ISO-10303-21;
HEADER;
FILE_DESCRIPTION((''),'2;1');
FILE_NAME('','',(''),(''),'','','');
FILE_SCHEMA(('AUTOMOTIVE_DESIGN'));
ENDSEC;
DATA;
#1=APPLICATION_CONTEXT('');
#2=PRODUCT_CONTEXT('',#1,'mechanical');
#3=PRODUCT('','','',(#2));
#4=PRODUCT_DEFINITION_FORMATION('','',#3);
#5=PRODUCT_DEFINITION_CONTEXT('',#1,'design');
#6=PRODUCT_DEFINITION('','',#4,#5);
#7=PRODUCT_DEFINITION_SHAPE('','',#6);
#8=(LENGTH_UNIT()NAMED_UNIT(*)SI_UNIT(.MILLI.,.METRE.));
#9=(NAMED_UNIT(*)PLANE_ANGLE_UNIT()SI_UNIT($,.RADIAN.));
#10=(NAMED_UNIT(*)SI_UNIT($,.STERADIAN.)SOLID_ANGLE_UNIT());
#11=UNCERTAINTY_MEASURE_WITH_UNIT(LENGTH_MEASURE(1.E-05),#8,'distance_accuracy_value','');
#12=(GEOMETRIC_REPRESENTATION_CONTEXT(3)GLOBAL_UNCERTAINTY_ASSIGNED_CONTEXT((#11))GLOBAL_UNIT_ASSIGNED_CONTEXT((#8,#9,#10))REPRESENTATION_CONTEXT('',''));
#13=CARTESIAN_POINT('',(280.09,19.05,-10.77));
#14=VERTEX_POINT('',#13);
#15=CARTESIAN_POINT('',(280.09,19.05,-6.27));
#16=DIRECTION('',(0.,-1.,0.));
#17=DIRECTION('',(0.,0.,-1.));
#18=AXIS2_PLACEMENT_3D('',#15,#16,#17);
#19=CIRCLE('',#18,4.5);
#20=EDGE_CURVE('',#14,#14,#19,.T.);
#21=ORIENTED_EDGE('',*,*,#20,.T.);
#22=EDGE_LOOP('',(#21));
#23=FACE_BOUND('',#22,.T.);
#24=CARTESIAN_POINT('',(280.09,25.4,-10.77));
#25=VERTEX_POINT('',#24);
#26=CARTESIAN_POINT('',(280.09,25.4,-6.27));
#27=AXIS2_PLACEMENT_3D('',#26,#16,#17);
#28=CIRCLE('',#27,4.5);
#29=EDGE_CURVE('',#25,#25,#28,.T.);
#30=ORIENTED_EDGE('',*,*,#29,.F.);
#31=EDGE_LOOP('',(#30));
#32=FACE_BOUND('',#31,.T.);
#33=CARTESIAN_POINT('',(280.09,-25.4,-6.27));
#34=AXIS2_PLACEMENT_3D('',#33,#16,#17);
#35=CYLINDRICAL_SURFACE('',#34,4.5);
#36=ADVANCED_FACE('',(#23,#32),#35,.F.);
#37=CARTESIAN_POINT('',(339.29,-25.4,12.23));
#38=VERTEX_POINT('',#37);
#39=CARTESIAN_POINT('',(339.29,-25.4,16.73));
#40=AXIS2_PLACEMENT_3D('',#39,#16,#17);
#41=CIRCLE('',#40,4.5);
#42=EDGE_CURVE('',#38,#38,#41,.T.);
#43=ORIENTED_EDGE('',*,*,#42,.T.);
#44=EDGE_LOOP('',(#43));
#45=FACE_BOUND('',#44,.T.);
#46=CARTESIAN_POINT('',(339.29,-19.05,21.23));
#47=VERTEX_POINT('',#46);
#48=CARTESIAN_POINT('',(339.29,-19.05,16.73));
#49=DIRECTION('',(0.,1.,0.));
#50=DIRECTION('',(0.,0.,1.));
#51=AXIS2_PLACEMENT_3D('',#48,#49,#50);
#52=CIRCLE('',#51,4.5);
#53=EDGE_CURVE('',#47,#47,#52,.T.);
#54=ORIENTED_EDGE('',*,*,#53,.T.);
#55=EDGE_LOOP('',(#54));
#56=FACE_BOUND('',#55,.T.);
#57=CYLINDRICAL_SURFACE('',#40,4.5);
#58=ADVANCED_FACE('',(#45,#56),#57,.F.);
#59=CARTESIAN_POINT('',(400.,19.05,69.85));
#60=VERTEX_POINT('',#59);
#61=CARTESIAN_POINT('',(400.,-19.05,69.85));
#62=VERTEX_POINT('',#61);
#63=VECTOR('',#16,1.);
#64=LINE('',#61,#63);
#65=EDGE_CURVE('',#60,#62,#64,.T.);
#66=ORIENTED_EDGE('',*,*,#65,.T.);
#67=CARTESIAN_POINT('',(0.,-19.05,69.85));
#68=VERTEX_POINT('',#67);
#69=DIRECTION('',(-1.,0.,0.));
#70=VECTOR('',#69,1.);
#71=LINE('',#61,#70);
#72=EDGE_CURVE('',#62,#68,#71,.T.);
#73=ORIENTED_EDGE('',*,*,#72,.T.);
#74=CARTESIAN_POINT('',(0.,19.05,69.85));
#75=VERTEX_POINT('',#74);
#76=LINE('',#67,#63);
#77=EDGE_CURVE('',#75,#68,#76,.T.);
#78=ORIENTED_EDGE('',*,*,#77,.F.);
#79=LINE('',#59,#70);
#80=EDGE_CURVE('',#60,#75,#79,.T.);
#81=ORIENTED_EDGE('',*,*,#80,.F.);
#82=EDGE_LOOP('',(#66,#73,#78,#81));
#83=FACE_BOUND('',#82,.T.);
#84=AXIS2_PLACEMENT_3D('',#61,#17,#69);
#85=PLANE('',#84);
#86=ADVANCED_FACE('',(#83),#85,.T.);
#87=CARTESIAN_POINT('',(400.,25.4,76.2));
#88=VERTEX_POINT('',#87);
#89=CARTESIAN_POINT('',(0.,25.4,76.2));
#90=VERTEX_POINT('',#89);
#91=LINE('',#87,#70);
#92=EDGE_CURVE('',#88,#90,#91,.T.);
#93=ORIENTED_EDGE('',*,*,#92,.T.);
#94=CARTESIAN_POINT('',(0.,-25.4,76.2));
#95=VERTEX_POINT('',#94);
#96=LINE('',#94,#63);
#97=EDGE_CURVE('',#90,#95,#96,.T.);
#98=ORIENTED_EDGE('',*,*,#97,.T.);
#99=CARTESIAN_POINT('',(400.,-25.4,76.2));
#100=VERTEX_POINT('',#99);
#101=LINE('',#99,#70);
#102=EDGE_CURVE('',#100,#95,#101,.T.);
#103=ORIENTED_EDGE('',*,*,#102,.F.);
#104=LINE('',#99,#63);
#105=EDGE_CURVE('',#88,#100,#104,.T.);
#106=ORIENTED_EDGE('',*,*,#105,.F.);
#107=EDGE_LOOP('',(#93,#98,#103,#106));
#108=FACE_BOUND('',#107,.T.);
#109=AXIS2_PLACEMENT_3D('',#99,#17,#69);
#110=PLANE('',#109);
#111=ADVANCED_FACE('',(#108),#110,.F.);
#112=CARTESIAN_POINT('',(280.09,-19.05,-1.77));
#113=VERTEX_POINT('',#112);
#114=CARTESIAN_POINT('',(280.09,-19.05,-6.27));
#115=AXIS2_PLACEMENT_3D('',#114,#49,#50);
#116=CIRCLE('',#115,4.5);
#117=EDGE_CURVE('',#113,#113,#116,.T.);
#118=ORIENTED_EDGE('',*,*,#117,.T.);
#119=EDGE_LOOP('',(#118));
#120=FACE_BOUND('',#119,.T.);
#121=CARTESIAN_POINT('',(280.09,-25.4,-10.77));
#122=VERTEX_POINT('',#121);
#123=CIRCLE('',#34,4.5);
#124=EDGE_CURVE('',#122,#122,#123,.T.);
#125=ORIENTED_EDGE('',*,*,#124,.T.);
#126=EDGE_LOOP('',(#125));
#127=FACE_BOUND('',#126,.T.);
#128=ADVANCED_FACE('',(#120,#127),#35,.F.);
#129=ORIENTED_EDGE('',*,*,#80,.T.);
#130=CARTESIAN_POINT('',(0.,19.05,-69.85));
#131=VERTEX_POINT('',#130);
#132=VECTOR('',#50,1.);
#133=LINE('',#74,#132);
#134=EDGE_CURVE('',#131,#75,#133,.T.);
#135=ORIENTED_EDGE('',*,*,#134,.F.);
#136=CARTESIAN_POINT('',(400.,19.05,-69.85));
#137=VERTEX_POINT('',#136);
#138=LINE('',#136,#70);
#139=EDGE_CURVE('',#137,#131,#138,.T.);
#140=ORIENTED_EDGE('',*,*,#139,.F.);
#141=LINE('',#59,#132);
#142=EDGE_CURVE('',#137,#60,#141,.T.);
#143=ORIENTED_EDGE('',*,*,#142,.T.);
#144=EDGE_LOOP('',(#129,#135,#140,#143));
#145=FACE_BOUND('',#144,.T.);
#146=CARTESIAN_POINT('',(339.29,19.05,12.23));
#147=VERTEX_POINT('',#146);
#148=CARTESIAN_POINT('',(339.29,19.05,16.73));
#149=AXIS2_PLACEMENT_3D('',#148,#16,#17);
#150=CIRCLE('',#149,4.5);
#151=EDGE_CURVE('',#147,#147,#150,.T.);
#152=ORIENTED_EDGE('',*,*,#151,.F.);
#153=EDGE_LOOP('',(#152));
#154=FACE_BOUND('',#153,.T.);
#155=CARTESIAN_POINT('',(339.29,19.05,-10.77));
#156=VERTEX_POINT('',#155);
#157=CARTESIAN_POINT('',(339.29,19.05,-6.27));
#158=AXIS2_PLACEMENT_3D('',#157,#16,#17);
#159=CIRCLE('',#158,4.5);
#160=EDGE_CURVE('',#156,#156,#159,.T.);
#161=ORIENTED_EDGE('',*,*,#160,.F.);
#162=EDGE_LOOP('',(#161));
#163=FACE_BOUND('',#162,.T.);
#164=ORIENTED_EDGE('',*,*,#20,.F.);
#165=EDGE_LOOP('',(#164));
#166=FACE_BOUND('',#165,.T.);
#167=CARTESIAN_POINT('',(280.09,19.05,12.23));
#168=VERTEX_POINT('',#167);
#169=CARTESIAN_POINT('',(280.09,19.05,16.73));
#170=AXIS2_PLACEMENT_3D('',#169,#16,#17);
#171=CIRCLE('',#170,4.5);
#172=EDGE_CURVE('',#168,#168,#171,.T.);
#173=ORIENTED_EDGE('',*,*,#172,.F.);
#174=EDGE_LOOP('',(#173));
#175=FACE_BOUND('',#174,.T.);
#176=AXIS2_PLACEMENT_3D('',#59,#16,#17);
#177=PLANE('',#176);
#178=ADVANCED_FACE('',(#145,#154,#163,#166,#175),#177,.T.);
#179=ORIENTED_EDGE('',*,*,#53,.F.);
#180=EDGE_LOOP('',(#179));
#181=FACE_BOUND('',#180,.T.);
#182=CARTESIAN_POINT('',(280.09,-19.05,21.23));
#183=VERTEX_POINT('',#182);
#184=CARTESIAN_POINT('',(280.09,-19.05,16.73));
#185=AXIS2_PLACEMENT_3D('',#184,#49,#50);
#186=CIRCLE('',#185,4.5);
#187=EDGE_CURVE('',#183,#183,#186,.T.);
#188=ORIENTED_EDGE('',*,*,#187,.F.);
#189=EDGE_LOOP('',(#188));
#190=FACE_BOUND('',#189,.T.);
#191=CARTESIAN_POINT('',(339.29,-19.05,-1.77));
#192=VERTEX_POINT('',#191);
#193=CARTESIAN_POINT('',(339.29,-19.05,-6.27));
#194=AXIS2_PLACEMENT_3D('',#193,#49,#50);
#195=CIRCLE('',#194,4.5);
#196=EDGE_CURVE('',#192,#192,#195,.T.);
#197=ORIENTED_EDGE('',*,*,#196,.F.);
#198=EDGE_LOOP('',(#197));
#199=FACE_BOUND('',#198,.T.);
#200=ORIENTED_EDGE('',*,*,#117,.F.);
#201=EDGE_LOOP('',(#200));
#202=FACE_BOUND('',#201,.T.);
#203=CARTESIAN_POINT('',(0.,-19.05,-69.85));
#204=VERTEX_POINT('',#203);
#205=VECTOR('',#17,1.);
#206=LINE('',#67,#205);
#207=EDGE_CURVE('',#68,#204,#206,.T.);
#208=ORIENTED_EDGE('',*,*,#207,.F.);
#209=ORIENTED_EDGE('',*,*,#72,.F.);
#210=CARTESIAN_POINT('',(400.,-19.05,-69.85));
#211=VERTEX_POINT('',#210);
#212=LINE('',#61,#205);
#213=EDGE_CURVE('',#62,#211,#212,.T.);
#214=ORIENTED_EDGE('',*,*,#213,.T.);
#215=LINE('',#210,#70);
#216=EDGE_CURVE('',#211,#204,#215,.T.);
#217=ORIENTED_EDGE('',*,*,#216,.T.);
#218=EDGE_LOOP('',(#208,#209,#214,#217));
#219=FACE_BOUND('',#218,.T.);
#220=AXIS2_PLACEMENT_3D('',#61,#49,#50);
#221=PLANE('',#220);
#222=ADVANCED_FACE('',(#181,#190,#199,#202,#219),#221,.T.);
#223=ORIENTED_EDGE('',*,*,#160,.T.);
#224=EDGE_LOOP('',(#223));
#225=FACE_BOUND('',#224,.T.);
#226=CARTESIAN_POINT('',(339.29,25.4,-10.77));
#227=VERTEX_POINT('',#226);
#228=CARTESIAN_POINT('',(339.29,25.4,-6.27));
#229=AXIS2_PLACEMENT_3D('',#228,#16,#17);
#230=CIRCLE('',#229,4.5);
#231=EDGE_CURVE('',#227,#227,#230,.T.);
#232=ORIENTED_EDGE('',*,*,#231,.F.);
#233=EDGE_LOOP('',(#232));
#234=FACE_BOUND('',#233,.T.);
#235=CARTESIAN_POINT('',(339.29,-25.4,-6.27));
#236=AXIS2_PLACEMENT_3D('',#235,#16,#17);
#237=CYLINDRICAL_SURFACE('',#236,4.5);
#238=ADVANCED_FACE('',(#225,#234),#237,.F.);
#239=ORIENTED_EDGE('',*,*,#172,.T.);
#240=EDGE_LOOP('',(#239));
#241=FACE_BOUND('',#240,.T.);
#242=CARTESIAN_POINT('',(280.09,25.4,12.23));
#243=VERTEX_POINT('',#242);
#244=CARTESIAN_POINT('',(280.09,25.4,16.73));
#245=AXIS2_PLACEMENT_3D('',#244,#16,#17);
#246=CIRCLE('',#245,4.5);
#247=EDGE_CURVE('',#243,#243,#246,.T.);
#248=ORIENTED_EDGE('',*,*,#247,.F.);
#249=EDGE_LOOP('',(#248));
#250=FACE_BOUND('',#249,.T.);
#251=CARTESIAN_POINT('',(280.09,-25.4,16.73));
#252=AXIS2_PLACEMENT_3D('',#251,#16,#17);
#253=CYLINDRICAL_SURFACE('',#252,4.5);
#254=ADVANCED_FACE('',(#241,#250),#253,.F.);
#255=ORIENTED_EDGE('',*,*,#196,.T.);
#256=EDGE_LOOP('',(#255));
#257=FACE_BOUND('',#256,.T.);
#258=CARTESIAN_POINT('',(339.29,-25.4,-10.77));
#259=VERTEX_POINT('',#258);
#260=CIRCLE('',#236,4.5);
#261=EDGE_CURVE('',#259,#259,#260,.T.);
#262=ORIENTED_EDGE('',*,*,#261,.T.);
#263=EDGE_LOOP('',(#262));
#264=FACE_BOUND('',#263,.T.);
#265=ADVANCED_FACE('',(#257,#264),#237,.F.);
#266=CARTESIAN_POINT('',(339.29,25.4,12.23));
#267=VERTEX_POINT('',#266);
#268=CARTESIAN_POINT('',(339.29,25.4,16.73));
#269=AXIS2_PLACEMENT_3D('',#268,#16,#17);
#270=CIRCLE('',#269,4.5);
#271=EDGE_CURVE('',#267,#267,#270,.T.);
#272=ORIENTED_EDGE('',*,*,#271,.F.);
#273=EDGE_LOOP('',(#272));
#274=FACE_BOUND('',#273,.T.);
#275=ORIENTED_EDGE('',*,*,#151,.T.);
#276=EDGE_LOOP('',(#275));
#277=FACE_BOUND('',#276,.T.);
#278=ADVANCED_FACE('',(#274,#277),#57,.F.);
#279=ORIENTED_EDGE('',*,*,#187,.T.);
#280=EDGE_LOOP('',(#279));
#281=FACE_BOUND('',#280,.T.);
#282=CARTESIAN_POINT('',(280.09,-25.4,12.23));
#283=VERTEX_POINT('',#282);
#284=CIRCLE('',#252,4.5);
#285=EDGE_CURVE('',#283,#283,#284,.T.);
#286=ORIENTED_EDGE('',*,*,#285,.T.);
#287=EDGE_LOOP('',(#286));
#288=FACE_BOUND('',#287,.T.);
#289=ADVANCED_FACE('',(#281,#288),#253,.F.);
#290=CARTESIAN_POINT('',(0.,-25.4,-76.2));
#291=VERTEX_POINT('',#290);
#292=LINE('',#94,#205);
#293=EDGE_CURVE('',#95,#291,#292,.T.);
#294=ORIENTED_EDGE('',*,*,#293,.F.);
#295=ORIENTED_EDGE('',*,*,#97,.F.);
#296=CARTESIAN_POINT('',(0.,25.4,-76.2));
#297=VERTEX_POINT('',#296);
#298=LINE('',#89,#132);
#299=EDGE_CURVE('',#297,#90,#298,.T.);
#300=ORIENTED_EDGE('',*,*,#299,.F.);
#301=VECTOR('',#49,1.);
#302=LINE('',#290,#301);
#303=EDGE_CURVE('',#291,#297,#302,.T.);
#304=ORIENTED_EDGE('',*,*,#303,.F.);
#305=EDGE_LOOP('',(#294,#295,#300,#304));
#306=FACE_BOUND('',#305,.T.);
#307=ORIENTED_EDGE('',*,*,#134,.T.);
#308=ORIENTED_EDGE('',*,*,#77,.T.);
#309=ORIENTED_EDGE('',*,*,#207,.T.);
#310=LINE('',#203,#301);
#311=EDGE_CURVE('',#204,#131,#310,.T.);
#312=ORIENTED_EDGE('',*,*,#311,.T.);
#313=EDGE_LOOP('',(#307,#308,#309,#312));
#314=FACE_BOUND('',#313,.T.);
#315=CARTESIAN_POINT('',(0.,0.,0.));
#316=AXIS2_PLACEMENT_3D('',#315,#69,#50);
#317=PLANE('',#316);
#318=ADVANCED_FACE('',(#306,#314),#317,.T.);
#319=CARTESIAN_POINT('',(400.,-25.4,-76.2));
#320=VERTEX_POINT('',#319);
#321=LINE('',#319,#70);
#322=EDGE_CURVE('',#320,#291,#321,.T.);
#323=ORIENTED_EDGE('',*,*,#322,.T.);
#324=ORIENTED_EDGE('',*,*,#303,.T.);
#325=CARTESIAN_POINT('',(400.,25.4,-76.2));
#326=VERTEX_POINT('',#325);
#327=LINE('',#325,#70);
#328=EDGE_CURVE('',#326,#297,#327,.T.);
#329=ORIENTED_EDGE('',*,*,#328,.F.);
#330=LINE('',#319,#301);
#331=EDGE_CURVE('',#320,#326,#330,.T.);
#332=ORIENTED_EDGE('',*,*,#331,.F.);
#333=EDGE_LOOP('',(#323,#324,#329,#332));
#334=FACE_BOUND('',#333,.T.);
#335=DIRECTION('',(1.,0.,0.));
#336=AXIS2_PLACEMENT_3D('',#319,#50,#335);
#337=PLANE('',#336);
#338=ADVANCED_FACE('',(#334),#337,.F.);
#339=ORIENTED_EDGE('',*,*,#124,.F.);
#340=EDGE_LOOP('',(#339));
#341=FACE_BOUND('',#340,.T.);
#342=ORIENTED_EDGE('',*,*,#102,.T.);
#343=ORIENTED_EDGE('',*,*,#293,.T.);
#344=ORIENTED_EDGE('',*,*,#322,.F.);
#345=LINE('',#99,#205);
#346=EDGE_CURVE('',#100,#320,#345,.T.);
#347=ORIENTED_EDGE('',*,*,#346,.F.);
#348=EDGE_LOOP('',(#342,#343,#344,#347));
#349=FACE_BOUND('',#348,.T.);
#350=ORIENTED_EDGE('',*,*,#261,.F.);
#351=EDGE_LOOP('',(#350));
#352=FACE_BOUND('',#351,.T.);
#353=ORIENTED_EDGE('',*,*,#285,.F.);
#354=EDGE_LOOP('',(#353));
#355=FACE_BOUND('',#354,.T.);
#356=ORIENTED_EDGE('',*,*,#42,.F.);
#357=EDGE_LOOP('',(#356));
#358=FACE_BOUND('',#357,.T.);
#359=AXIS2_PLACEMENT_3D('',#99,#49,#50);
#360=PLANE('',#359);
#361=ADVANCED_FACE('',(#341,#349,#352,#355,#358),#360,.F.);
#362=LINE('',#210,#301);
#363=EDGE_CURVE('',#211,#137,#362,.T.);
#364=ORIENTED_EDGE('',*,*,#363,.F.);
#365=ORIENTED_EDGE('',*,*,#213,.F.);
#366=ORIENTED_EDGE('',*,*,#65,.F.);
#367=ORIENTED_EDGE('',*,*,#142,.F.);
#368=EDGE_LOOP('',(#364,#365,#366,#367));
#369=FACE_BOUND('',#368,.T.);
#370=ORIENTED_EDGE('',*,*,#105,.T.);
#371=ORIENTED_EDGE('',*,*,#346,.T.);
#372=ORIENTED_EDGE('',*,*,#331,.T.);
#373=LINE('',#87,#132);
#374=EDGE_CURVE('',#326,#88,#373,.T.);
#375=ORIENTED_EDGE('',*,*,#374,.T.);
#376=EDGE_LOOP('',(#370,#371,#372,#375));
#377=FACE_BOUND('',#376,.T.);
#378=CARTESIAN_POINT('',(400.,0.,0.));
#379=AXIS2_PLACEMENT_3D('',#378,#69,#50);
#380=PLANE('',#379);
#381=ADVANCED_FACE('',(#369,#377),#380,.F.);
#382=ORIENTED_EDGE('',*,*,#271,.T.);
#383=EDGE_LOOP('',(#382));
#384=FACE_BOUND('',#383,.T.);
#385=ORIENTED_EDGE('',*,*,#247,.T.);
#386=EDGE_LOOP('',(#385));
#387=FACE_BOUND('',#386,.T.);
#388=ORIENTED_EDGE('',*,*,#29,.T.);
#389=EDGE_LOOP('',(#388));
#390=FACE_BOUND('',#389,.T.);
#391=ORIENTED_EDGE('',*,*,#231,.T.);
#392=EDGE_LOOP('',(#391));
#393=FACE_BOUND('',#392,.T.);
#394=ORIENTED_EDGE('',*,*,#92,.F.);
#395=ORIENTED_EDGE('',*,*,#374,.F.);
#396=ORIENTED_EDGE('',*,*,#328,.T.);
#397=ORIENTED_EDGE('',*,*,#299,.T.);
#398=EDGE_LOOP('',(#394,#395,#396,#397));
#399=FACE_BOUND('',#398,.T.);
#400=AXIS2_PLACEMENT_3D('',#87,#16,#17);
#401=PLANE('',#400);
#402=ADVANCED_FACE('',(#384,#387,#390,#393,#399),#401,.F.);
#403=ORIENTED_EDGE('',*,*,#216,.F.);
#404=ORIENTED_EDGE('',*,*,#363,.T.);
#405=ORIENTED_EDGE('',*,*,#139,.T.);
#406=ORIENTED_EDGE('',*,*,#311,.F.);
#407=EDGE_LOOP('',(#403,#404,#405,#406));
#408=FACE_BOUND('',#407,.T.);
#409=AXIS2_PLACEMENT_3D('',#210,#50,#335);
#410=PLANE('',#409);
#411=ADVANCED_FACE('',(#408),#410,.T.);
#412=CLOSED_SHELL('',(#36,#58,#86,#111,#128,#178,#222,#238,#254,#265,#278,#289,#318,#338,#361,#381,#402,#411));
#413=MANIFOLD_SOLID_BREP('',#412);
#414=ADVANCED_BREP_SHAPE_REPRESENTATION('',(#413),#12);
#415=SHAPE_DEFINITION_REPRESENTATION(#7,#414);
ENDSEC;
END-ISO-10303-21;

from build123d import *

# Parameters (mm, degrees)
SKETCH1_W            = 152.4
SKETCH1_H            = 50.8
SKETCH1_W_2          = 139.7
SKETCH1_H_2          = 38.1
BOSS_EXTRUDE1_DEPTH  = 400
M8_CLEARANCE_HOLE1_D = 9


with BuildPart() as part:
    # Sketch1 → Boss-Extrude1 (new body)
    with BuildSketch(Plane(origin=(0, 0, 0), x_dir=(0, 0, -1), z_dir=(1, 0, 0))):
        Rectangle(SKETCH1_W, SKETCH1_H)
        Rectangle(SKETCH1_W_2, SKETCH1_H_2, mode=Mode.SUBTRACT)
    extrude(amount=BOSS_EXTRUDE1_DEPTH)

    # M8 Clearance Hole1 (through all)
    with Locations(Plane(origin=(0, -25.4, 0), x_dir=(-1, 0, 0), z_dir=(0, -1, 0))):
        with Locations((-280.09, -16.73), (-280.09, 6.27), (-339.29, 6.27), (-339.29, -16.73)):
            Hole(M8_CLEARANCE_HOLE1_D / 2)


solid = part.part
